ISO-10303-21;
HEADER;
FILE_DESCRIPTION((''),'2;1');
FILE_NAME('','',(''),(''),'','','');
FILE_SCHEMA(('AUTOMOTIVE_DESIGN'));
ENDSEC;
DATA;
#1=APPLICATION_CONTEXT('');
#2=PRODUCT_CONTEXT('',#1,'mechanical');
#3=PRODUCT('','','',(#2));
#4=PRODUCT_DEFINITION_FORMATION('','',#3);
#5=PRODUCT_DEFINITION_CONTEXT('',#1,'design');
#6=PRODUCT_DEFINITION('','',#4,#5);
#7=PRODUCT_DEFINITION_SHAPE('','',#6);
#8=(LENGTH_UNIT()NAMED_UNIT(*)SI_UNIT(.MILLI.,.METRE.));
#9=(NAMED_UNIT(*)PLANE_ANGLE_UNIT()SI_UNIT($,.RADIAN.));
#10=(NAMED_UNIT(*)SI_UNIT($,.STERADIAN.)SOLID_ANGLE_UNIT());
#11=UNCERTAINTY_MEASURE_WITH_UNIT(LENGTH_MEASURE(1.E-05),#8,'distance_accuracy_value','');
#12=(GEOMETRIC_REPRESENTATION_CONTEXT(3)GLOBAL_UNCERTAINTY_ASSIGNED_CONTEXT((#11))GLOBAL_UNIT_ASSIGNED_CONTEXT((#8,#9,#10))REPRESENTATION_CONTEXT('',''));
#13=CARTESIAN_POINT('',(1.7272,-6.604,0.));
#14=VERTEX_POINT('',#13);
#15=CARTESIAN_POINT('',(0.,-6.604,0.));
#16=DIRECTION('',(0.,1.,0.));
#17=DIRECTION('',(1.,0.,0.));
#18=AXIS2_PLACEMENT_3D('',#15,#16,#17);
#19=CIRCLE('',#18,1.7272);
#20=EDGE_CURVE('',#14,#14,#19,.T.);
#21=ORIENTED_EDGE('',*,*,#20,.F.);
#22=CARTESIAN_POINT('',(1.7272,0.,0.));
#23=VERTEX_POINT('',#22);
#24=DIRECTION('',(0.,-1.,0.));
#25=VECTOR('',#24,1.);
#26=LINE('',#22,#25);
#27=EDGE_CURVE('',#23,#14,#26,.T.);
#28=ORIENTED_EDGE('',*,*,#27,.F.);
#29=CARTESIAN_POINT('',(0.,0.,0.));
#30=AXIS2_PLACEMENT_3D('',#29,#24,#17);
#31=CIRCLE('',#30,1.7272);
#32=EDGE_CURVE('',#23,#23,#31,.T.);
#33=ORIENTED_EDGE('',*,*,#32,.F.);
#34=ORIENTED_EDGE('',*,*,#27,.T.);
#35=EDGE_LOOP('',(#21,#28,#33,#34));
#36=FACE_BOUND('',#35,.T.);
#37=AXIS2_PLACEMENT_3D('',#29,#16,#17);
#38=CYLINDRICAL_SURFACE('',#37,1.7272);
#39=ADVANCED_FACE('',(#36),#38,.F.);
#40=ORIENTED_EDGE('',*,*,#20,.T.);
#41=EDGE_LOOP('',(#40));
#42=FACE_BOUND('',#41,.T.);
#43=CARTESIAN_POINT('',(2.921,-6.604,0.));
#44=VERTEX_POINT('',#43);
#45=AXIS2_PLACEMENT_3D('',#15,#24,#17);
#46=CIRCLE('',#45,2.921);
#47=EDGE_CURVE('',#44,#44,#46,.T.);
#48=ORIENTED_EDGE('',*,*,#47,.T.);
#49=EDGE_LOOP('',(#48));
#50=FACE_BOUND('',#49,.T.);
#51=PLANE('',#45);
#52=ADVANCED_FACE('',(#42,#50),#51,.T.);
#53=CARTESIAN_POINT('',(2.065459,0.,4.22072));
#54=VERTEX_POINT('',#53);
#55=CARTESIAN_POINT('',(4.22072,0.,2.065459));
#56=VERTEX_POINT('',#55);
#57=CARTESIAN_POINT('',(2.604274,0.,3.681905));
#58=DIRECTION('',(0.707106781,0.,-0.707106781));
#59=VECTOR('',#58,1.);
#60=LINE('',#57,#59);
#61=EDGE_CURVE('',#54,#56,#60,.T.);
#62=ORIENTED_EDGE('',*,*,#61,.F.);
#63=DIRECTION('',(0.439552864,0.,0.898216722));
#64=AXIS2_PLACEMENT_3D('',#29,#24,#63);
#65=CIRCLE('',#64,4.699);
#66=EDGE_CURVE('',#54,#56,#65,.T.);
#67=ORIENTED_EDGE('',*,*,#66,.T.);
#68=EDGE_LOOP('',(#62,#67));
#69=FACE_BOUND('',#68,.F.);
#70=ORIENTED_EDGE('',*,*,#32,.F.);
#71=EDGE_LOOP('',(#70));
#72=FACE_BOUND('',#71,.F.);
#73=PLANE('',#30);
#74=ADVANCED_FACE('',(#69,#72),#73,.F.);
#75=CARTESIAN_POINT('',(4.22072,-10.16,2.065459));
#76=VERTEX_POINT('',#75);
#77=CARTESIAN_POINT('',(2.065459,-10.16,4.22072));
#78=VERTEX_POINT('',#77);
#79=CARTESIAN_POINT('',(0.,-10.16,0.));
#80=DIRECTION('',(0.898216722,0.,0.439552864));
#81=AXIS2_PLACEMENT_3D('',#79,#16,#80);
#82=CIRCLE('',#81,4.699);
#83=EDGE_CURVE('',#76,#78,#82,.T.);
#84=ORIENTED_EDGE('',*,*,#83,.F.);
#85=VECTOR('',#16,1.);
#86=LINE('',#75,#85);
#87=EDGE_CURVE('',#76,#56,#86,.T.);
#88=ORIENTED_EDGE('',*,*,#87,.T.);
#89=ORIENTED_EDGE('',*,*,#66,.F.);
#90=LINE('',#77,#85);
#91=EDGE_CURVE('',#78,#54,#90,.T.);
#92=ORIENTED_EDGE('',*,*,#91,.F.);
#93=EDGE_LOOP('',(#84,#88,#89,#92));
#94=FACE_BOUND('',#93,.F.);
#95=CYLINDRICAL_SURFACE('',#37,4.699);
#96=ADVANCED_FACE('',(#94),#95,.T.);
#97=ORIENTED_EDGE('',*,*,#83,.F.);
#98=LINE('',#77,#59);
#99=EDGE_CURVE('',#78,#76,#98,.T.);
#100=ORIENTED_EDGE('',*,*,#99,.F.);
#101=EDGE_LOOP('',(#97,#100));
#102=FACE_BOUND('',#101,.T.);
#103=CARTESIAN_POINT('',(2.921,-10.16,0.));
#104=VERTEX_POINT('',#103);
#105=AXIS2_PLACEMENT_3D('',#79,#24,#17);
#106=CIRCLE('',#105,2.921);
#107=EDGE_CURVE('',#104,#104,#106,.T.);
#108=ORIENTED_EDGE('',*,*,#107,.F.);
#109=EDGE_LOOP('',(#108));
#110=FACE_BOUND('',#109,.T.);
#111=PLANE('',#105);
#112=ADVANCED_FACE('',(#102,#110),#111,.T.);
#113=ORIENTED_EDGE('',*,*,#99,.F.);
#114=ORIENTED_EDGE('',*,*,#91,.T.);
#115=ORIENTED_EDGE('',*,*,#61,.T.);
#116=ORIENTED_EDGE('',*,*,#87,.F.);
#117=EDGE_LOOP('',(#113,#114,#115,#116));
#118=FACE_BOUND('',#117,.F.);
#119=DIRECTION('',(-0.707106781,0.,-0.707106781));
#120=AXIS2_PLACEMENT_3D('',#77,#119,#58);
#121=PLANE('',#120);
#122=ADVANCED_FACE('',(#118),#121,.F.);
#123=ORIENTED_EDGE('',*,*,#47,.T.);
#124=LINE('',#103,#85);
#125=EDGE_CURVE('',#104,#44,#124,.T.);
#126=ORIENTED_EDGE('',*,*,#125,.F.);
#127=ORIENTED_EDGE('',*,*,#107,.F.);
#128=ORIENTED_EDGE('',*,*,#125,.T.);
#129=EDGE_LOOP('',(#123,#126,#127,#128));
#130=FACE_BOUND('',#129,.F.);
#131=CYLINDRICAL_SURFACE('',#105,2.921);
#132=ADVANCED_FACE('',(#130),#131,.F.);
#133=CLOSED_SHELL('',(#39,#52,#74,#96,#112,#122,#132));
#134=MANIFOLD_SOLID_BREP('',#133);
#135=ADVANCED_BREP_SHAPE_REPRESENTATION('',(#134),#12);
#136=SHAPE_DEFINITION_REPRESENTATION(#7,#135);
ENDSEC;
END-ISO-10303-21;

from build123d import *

# Parameters (mm, degrees)
F0_R     = 4.699
F0_R_2   = 1.7272
F1_DEPTH = 10.16
F3_DEPTH = 10.161
F4_R     = 2.921
F4_R_2   = 1.7272
F4_R_3   = 1.7145
F5_DEPTH = 3.556


with BuildPart() as f1:
    # F0 (on Front) → F1 (new body)
    with BuildSketch(Plane.XZ):
        Circle(F0_R)
        Circle(F0_R_2, mode=Mode.SUBTRACT)
    extrude(amount=F1_DEPTH)

    # F2 (on face) → F3 (cut, through all)
    with BuildSketch(Plane.XZ.offset(10.16)):
        with BuildLine():
            ThreePointArc((4.2207203769, 2.0654589078), (3.3226947648, 3.3226947648), (2.0654589078, 4.2207203769))
            Line((2.0654589078, 4.2207203769), (4.2207203769, 2.0654589078))
        make_face()
    extrude(amount=-F3_DEPTH, mode=Mode.SUBTRACT)

    # F4 (on face) → F5 (cut)
    with BuildSketch(Plane.XZ.offset(10.16)):
        Circle(F4_R)
        Circle(F4_R_2, mode=Mode.SUBTRACT)
        Circle(F4_R_2)
        Circle(F4_R_3, mode=Mode.SUBTRACT)
    extrude(amount=-F5_DEPTH, mode=Mode.SUBTRACT)


solid = f1.part
